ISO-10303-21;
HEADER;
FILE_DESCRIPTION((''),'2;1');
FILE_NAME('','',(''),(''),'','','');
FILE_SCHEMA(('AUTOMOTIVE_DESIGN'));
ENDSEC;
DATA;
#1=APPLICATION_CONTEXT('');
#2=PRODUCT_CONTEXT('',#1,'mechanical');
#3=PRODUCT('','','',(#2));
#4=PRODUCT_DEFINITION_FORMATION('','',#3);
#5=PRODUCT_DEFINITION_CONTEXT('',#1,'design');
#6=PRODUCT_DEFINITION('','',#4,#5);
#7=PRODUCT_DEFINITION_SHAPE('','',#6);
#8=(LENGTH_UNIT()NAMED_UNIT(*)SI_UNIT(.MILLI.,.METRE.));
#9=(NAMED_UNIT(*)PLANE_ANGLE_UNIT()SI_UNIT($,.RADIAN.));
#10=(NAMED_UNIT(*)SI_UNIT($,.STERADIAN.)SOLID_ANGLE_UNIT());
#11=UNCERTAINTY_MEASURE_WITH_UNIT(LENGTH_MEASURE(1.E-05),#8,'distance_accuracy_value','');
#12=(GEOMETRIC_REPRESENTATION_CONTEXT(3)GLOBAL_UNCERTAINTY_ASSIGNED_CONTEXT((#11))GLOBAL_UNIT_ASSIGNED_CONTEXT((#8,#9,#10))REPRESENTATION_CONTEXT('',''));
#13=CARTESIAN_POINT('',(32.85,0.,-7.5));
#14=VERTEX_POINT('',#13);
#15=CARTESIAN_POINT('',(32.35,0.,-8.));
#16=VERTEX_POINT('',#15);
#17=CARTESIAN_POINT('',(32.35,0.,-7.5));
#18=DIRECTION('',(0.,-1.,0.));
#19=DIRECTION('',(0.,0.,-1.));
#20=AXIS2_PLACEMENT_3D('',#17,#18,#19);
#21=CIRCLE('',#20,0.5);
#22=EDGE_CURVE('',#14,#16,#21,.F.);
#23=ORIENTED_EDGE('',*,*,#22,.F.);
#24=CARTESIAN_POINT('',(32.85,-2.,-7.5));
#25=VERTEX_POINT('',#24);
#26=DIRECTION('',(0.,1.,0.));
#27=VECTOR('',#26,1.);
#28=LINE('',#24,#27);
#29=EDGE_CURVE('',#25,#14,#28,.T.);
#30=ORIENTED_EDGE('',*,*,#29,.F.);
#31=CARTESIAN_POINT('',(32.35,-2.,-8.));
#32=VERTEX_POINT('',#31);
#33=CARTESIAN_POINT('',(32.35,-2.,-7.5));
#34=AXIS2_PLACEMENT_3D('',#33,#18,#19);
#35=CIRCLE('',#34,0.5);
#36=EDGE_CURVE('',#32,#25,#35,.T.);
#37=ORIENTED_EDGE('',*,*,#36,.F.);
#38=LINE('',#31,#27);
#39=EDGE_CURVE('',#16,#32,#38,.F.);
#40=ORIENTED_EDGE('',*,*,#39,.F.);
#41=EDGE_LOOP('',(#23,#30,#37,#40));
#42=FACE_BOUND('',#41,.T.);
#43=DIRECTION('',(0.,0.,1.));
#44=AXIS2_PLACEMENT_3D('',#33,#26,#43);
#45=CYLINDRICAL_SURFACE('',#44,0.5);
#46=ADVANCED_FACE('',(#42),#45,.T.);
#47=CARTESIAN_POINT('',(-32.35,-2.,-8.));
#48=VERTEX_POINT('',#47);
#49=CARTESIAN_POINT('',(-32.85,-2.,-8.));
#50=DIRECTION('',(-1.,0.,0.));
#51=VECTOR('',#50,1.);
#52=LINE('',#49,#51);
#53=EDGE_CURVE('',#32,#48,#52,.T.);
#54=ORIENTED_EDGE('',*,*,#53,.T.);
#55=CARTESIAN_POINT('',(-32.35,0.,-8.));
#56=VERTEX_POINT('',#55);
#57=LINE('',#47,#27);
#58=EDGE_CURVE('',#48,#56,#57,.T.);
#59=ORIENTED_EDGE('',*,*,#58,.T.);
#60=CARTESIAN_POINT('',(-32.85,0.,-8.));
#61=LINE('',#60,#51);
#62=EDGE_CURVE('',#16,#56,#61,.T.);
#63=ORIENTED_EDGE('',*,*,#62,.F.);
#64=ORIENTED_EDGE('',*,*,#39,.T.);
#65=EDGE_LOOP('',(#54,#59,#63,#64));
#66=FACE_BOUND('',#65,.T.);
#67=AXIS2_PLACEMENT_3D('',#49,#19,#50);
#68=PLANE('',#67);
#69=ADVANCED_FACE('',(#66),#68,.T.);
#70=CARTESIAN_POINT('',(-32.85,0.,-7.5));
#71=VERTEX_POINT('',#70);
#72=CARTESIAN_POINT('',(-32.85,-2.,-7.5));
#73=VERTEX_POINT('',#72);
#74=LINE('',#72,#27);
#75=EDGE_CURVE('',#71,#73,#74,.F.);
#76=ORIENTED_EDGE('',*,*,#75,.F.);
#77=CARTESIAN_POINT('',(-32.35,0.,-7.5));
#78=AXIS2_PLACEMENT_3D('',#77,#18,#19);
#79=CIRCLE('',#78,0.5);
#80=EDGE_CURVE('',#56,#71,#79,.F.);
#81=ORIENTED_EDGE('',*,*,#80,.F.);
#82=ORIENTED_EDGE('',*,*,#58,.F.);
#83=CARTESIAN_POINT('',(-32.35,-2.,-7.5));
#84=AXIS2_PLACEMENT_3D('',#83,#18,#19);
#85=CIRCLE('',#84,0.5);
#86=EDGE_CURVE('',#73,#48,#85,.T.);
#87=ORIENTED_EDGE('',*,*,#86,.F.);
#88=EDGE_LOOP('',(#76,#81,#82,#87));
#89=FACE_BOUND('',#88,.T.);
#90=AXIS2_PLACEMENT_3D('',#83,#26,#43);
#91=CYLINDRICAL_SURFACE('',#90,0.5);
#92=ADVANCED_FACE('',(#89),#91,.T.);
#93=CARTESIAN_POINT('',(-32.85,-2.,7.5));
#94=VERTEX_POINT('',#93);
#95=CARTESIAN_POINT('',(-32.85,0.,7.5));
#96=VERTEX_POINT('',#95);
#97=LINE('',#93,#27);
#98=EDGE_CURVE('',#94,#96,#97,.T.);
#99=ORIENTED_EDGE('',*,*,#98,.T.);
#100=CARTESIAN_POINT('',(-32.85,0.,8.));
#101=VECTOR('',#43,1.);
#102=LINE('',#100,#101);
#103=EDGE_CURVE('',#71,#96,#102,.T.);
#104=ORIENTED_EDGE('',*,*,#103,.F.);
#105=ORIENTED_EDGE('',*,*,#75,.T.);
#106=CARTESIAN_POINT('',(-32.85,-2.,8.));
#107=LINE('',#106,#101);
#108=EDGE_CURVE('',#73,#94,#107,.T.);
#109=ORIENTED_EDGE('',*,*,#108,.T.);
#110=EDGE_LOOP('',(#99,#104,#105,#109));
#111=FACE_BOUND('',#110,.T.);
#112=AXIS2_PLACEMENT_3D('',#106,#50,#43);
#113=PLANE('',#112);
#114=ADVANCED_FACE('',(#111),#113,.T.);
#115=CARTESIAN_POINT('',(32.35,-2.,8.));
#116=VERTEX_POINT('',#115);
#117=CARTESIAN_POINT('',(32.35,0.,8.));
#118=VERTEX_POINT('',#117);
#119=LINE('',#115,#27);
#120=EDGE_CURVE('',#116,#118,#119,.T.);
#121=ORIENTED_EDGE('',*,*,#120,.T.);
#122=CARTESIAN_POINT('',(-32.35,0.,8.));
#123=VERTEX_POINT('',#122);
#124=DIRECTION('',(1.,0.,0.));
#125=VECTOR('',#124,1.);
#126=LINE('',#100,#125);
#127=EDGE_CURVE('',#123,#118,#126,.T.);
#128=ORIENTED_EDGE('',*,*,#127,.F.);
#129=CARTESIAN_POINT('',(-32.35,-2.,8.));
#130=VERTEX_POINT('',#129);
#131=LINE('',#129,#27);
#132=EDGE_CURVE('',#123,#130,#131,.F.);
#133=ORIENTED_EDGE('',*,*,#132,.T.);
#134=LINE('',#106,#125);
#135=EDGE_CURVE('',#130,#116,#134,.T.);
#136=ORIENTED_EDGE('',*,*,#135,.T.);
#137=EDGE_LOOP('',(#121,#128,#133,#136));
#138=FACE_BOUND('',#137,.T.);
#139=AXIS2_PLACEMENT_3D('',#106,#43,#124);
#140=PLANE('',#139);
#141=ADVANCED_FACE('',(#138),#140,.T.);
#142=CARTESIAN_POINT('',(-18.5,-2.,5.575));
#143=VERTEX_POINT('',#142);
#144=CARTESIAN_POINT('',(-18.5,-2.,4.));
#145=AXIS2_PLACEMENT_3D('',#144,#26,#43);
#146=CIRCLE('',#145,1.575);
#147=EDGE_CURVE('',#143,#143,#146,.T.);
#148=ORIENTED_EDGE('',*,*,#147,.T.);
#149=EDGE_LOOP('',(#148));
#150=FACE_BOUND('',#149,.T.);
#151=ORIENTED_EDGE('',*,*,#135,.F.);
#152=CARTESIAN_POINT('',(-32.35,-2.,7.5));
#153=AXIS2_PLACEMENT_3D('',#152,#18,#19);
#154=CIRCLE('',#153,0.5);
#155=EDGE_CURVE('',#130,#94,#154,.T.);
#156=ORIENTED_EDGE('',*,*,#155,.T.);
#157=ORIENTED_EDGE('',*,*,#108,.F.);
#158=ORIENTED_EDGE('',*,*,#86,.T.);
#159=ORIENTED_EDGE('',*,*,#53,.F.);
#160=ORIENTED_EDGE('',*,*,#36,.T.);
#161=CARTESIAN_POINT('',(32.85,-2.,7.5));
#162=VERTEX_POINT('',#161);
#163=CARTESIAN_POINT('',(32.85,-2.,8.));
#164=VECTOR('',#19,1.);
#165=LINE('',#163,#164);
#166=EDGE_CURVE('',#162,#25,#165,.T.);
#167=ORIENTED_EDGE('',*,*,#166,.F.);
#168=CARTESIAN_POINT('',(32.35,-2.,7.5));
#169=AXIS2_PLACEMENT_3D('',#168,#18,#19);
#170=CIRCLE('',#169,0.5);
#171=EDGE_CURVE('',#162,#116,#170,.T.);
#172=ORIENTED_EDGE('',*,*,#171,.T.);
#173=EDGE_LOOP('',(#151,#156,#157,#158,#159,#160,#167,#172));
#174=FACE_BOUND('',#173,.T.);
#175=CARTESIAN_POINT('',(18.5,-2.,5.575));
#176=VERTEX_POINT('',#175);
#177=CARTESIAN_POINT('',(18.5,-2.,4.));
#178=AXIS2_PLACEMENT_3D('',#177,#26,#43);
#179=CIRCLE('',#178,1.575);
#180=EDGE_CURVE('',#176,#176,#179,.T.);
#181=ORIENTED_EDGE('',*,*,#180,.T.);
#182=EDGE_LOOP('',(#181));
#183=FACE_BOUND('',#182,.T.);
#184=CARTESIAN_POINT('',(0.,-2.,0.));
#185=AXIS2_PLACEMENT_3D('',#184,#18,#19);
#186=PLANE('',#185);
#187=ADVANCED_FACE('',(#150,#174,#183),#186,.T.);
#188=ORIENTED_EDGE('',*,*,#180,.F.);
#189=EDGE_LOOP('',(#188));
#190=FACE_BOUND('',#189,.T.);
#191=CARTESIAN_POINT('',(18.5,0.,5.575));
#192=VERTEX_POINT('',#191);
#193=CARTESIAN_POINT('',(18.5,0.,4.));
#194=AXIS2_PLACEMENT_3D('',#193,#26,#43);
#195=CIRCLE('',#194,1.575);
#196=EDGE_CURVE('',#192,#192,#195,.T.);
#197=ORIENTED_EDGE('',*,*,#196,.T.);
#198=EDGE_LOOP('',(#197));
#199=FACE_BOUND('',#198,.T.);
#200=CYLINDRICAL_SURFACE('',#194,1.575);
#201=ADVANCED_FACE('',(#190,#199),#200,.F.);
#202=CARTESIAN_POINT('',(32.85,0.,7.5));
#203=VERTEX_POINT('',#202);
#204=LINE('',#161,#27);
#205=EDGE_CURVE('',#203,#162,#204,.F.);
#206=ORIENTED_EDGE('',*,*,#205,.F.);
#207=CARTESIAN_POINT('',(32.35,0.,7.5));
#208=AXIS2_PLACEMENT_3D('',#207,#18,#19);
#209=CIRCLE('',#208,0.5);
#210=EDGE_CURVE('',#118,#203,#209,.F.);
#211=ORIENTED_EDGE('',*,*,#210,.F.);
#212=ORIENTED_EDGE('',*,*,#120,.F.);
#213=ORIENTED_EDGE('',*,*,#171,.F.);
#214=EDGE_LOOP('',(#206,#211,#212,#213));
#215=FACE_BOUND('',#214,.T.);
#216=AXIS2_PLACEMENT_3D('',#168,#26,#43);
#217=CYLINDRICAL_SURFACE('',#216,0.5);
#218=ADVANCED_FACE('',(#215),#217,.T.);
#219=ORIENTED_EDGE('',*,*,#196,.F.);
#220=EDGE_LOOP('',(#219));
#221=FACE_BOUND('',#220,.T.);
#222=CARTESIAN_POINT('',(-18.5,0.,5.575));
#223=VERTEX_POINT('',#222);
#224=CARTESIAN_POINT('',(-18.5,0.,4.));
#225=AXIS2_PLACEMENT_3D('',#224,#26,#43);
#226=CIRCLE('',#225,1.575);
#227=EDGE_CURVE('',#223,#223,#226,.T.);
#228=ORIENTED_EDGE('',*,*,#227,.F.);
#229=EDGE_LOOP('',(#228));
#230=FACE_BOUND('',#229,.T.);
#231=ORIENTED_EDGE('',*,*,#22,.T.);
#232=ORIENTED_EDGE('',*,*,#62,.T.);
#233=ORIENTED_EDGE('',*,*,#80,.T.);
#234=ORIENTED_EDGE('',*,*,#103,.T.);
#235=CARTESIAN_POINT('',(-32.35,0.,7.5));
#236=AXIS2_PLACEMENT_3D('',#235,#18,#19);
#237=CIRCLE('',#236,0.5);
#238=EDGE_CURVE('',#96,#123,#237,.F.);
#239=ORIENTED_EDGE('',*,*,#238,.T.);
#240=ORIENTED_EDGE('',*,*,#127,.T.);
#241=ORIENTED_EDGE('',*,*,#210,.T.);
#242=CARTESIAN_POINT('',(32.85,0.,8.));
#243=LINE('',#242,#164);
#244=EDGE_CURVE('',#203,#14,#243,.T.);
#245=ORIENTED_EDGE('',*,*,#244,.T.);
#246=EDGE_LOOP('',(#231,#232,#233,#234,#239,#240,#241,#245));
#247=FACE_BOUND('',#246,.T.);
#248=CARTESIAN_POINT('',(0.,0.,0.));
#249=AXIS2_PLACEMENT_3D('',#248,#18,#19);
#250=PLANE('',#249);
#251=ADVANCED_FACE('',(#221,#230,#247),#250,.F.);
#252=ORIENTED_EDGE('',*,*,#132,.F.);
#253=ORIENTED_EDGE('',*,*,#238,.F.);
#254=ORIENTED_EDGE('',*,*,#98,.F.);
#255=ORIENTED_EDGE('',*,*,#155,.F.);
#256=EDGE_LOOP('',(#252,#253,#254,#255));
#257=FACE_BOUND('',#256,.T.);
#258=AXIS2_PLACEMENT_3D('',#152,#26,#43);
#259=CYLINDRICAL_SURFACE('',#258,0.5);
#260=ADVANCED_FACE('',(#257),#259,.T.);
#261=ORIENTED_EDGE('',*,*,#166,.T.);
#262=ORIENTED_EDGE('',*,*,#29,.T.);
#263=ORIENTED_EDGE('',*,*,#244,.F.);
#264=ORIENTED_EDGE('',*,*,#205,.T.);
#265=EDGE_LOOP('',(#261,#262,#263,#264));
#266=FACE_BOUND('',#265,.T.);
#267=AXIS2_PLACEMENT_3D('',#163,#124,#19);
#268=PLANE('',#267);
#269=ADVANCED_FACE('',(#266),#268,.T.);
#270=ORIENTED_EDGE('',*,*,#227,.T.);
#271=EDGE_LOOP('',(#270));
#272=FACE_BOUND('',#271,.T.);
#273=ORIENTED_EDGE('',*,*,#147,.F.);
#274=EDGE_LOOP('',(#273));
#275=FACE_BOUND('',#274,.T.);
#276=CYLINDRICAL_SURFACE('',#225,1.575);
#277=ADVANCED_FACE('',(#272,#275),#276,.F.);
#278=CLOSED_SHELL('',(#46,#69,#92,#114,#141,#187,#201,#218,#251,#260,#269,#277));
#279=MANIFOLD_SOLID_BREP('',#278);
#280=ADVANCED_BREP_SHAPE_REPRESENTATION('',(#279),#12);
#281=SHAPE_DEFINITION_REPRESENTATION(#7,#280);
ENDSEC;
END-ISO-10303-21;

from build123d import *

# Parameters (mm, degrees)
SKETCH_1_W        = 65.7
SKETCH_1_H        = 16
EXTRUDE_1_DEPTH   = 2
FILLET_1_R        = 0.5
HOLE_WIZARD_M31_D = 3.15


with BuildPart() as part:
    # Эскиз1 → Бобышка-Вытянуть1 (new body)
    with BuildSketch(Plane(origin=(0, 0, 0), x_dir=(1, 0, 0), z_dir=(0, 1, 0))):
        Rectangle(SKETCH_1_W, SKETCH_1_H)
    extrude(amount=-EXTRUDE_1_DEPTH)

    # Скругление1
    fillet_1_edges = [part.edges().sort_by_distance(p)[0] for p in [
        (32.85, -1, 8),
        (-32.85, -1, 8),
        (-32.85, -1, -8),
        (32.85, -1, -8),
    ]]
    fillet(fillet_1_edges, radius=FILLET_1_R)

    # Сверло под метчик  спиральное M31 (through all)
    with Locations(Plane(origin=(0, 0, 0), x_dir=(1, 0, 0), z_dir=(0, 1, 0))):
        with Locations((18.5, -4), (-18.5, -4)):
            Hole(HOLE_WIZARD_M31_D / 2)


solid = part.part
